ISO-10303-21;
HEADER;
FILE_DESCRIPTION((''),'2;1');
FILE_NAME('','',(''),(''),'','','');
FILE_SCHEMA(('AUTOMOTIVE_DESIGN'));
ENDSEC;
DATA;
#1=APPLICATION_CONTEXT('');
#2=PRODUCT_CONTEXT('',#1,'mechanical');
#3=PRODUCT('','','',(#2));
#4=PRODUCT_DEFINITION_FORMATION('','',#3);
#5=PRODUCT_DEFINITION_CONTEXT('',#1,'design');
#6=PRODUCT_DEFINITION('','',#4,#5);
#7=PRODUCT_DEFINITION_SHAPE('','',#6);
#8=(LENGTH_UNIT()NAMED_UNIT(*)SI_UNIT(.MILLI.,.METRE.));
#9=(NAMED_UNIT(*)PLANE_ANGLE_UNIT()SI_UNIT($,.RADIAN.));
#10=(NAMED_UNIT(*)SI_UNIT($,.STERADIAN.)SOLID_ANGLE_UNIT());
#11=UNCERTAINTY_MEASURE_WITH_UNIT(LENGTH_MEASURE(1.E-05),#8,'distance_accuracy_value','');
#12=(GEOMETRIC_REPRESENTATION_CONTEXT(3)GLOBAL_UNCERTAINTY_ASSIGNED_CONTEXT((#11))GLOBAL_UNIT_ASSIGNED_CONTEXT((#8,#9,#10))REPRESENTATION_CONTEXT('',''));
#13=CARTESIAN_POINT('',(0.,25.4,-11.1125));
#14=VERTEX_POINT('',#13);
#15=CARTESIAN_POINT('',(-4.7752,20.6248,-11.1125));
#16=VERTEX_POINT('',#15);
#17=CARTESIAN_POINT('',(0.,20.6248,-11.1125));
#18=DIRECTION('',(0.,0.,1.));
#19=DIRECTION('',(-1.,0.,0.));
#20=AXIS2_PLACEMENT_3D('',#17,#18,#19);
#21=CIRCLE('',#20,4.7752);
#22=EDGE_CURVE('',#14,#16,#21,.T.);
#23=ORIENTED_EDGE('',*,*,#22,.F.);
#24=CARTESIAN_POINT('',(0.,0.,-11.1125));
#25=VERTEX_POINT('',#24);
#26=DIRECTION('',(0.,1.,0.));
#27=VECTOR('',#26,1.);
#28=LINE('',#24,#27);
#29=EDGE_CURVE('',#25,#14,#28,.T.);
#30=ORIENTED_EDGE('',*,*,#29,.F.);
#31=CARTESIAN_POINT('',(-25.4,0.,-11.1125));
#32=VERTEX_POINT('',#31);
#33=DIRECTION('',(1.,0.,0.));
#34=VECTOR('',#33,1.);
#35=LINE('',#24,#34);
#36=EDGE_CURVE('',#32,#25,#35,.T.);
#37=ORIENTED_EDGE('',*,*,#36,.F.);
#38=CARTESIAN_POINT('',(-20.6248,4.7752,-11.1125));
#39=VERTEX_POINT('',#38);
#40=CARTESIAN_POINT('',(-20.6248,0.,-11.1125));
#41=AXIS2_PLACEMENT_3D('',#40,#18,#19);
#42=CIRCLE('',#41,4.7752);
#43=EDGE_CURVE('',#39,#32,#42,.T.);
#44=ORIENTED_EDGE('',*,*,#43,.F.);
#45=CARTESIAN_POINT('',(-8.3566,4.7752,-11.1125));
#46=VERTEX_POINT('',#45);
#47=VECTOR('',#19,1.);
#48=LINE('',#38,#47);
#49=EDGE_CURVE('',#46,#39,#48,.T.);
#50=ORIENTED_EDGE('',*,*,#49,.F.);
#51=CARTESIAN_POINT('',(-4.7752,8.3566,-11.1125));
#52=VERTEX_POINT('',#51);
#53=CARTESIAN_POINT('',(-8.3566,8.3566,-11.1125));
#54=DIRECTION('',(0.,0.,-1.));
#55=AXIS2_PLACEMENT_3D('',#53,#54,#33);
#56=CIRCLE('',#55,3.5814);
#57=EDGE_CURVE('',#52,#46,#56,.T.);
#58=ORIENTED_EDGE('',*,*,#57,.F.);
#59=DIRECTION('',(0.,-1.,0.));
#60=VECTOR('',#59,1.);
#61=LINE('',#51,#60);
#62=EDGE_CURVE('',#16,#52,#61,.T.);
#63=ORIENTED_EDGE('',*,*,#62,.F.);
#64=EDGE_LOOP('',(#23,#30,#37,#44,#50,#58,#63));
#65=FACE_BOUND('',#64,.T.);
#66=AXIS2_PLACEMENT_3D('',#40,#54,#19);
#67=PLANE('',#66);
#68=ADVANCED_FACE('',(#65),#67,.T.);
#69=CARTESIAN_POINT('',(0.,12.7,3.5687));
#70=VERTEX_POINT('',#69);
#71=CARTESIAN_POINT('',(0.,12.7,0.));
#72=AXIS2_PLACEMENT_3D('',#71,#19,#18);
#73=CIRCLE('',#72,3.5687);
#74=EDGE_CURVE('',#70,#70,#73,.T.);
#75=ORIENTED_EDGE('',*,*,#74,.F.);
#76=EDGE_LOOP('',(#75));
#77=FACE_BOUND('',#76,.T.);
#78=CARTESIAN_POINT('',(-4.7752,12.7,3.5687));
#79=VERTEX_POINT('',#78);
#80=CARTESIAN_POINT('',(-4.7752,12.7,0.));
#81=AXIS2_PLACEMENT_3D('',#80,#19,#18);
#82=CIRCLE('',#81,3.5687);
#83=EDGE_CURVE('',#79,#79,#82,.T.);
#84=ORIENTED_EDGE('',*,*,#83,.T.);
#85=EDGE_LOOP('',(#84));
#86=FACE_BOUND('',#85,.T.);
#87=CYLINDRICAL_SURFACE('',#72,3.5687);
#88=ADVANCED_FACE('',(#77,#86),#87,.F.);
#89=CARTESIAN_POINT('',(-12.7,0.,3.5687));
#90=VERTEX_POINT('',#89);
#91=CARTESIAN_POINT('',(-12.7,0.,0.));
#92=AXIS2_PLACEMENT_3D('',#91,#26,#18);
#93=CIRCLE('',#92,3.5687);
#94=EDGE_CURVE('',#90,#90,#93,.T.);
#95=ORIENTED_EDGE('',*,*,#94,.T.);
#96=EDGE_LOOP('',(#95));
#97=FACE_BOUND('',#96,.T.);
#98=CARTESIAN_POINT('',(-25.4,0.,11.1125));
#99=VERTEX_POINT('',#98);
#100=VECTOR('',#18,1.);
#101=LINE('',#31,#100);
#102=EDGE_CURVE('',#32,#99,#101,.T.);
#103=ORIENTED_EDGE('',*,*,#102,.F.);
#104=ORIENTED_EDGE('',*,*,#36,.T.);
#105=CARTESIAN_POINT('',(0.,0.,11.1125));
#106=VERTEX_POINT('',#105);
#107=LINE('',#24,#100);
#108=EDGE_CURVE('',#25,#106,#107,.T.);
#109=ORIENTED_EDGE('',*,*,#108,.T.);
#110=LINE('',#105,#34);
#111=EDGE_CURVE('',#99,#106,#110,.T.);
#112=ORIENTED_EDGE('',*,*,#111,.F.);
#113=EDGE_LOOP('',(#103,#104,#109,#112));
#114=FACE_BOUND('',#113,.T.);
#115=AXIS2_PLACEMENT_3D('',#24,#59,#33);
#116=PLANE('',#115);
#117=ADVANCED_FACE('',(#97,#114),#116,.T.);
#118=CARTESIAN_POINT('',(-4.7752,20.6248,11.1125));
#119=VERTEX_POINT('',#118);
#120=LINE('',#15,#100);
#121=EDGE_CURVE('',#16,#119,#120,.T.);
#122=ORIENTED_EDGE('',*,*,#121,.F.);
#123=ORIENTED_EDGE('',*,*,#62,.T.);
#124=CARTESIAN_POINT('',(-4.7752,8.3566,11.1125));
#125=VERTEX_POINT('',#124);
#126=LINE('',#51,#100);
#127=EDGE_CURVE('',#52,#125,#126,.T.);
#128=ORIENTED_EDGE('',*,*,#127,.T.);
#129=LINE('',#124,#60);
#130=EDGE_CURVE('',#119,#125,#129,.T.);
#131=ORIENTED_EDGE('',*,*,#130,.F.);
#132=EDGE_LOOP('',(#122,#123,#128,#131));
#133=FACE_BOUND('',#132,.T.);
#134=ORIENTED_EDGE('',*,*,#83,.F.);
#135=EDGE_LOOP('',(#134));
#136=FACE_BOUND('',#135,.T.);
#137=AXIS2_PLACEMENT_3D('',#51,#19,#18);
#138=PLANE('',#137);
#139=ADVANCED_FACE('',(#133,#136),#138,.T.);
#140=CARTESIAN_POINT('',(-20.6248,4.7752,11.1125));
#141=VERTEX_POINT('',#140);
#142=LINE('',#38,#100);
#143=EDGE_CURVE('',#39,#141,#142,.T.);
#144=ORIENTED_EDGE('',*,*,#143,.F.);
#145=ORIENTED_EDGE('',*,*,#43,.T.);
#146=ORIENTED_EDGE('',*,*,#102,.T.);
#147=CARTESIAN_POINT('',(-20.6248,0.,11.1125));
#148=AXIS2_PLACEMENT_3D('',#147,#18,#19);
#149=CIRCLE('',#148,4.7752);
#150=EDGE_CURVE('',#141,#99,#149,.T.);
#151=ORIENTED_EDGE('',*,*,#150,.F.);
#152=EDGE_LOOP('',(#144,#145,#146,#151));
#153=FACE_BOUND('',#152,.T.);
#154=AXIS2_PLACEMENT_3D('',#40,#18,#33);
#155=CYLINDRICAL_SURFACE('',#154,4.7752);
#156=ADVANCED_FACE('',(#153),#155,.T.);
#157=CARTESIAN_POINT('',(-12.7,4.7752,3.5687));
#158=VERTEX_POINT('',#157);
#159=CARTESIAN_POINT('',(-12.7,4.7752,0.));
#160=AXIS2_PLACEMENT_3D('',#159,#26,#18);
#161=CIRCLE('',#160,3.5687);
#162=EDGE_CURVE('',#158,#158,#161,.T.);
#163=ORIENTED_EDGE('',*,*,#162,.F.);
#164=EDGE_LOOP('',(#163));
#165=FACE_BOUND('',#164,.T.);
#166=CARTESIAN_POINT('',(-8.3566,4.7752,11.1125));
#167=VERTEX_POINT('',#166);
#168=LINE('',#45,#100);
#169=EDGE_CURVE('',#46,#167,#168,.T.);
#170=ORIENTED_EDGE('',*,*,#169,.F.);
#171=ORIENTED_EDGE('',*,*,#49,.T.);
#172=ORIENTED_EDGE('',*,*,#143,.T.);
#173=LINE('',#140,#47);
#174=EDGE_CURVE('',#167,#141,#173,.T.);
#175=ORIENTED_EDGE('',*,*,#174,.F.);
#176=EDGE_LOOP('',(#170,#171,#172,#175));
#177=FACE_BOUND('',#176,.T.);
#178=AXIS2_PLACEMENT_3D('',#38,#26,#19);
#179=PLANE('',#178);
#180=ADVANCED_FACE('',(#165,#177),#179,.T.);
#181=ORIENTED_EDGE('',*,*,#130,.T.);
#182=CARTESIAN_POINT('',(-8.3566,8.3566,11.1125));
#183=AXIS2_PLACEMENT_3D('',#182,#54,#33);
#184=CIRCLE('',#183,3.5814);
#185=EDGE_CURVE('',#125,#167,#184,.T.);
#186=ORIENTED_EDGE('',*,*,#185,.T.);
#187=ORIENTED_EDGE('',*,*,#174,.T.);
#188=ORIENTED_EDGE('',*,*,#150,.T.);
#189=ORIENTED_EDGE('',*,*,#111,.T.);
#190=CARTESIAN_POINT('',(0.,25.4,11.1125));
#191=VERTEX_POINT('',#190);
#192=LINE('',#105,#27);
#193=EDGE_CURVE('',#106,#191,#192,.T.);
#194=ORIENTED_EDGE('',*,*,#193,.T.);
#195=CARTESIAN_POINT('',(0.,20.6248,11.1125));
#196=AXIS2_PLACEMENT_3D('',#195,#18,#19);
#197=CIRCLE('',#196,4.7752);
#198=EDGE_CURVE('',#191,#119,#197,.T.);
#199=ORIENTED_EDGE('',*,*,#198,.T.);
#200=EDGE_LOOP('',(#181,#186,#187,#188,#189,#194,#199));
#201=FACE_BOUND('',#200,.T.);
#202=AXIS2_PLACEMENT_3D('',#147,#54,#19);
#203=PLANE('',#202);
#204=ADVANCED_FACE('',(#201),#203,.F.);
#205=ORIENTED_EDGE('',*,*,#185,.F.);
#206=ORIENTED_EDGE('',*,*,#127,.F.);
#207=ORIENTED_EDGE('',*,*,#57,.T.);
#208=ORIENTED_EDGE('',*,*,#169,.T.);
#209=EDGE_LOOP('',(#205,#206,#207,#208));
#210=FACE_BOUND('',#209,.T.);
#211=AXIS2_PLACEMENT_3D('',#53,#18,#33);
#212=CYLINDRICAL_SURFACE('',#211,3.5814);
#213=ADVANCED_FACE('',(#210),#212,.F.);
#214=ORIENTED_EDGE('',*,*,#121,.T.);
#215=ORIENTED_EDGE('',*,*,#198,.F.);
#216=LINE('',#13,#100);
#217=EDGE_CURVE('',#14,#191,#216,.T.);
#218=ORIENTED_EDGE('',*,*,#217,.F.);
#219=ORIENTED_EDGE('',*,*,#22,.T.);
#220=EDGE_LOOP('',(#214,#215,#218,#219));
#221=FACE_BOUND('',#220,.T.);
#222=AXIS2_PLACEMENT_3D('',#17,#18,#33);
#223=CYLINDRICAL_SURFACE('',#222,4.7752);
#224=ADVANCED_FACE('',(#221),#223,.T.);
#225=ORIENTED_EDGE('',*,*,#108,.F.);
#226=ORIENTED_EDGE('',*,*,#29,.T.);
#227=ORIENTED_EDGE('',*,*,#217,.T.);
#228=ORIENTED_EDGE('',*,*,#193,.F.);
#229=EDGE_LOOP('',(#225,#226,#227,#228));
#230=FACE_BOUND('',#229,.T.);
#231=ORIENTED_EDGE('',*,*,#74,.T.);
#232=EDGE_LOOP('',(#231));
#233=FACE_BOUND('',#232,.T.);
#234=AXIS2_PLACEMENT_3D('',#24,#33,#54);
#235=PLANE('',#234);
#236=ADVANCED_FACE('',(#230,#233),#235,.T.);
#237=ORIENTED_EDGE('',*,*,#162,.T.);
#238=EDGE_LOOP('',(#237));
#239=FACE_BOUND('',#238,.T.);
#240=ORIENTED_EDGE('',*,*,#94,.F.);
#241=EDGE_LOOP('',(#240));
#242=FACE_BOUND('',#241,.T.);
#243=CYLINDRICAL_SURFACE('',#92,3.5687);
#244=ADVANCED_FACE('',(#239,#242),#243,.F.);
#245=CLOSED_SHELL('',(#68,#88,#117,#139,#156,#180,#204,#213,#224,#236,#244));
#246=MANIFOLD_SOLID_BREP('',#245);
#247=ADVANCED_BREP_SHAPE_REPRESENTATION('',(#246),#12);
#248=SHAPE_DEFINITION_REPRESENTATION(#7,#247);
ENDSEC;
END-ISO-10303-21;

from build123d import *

# Parameters (mm, degrees)
EXTRUDE1_DEPTH     = 11.1125
SKETCH2_R          = 3.5687
CUT_EXTRUDE1_DEPTH = 5.7752
SKETCH3_R          = 3.5687
CUT_EXTRUDE2_DEPTH = 5.7752


with BuildPart() as part:
    # Sketch1 → Extrude1 (new body, symmetric)
    with BuildSketch(Plane.XY):
        with BuildLine():
            Line((0, 0), (0, 25.4))
            ThreePointArc((0, 25.4), (-3.376576302, 24.001376302), (-4.7752, 20.6248))
            Line((-4.7752, 20.6248), (-4.7752, 8.3566))
            ThreePointArc((-4.7752, 8.3566), (-5.824167774, 5.824167774), (-8.3566, 4.7752))
            Line((-8.3566, 4.7752), (-20.6248, 4.7752))
            ThreePointArc((-20.6248, 4.7752), (-24.001376302, 3.376576302), (-25.4, 0))
            Line((-25.4, 0), (0, 0))
        make_face()
    extrude(amount=EXTRUDE1_DEPTH, both=True)

    # Sketch2 → Cut-Extrude1 (cut, through all)
    with BuildSketch(Plane(origin=(0, 4.7752, 0), x_dir=(1, 0, 0), z_dir=(0, 1, 0))):
        with Locations((-12.7, 0)):
            Circle(SKETCH2_R)
    extrude(amount=-CUT_EXTRUDE1_DEPTH, mode=Mode.SUBTRACT)

    # Sketch3 → Cut-Extrude2 (cut, through all)
    with BuildSketch(Plane.ZY.offset(4.7752)):
        with Locations((0, 12.7)):
            Circle(SKETCH3_R)
    extrude(amount=-CUT_EXTRUDE2_DEPTH, mode=Mode.SUBTRACT)


solid = part.part
